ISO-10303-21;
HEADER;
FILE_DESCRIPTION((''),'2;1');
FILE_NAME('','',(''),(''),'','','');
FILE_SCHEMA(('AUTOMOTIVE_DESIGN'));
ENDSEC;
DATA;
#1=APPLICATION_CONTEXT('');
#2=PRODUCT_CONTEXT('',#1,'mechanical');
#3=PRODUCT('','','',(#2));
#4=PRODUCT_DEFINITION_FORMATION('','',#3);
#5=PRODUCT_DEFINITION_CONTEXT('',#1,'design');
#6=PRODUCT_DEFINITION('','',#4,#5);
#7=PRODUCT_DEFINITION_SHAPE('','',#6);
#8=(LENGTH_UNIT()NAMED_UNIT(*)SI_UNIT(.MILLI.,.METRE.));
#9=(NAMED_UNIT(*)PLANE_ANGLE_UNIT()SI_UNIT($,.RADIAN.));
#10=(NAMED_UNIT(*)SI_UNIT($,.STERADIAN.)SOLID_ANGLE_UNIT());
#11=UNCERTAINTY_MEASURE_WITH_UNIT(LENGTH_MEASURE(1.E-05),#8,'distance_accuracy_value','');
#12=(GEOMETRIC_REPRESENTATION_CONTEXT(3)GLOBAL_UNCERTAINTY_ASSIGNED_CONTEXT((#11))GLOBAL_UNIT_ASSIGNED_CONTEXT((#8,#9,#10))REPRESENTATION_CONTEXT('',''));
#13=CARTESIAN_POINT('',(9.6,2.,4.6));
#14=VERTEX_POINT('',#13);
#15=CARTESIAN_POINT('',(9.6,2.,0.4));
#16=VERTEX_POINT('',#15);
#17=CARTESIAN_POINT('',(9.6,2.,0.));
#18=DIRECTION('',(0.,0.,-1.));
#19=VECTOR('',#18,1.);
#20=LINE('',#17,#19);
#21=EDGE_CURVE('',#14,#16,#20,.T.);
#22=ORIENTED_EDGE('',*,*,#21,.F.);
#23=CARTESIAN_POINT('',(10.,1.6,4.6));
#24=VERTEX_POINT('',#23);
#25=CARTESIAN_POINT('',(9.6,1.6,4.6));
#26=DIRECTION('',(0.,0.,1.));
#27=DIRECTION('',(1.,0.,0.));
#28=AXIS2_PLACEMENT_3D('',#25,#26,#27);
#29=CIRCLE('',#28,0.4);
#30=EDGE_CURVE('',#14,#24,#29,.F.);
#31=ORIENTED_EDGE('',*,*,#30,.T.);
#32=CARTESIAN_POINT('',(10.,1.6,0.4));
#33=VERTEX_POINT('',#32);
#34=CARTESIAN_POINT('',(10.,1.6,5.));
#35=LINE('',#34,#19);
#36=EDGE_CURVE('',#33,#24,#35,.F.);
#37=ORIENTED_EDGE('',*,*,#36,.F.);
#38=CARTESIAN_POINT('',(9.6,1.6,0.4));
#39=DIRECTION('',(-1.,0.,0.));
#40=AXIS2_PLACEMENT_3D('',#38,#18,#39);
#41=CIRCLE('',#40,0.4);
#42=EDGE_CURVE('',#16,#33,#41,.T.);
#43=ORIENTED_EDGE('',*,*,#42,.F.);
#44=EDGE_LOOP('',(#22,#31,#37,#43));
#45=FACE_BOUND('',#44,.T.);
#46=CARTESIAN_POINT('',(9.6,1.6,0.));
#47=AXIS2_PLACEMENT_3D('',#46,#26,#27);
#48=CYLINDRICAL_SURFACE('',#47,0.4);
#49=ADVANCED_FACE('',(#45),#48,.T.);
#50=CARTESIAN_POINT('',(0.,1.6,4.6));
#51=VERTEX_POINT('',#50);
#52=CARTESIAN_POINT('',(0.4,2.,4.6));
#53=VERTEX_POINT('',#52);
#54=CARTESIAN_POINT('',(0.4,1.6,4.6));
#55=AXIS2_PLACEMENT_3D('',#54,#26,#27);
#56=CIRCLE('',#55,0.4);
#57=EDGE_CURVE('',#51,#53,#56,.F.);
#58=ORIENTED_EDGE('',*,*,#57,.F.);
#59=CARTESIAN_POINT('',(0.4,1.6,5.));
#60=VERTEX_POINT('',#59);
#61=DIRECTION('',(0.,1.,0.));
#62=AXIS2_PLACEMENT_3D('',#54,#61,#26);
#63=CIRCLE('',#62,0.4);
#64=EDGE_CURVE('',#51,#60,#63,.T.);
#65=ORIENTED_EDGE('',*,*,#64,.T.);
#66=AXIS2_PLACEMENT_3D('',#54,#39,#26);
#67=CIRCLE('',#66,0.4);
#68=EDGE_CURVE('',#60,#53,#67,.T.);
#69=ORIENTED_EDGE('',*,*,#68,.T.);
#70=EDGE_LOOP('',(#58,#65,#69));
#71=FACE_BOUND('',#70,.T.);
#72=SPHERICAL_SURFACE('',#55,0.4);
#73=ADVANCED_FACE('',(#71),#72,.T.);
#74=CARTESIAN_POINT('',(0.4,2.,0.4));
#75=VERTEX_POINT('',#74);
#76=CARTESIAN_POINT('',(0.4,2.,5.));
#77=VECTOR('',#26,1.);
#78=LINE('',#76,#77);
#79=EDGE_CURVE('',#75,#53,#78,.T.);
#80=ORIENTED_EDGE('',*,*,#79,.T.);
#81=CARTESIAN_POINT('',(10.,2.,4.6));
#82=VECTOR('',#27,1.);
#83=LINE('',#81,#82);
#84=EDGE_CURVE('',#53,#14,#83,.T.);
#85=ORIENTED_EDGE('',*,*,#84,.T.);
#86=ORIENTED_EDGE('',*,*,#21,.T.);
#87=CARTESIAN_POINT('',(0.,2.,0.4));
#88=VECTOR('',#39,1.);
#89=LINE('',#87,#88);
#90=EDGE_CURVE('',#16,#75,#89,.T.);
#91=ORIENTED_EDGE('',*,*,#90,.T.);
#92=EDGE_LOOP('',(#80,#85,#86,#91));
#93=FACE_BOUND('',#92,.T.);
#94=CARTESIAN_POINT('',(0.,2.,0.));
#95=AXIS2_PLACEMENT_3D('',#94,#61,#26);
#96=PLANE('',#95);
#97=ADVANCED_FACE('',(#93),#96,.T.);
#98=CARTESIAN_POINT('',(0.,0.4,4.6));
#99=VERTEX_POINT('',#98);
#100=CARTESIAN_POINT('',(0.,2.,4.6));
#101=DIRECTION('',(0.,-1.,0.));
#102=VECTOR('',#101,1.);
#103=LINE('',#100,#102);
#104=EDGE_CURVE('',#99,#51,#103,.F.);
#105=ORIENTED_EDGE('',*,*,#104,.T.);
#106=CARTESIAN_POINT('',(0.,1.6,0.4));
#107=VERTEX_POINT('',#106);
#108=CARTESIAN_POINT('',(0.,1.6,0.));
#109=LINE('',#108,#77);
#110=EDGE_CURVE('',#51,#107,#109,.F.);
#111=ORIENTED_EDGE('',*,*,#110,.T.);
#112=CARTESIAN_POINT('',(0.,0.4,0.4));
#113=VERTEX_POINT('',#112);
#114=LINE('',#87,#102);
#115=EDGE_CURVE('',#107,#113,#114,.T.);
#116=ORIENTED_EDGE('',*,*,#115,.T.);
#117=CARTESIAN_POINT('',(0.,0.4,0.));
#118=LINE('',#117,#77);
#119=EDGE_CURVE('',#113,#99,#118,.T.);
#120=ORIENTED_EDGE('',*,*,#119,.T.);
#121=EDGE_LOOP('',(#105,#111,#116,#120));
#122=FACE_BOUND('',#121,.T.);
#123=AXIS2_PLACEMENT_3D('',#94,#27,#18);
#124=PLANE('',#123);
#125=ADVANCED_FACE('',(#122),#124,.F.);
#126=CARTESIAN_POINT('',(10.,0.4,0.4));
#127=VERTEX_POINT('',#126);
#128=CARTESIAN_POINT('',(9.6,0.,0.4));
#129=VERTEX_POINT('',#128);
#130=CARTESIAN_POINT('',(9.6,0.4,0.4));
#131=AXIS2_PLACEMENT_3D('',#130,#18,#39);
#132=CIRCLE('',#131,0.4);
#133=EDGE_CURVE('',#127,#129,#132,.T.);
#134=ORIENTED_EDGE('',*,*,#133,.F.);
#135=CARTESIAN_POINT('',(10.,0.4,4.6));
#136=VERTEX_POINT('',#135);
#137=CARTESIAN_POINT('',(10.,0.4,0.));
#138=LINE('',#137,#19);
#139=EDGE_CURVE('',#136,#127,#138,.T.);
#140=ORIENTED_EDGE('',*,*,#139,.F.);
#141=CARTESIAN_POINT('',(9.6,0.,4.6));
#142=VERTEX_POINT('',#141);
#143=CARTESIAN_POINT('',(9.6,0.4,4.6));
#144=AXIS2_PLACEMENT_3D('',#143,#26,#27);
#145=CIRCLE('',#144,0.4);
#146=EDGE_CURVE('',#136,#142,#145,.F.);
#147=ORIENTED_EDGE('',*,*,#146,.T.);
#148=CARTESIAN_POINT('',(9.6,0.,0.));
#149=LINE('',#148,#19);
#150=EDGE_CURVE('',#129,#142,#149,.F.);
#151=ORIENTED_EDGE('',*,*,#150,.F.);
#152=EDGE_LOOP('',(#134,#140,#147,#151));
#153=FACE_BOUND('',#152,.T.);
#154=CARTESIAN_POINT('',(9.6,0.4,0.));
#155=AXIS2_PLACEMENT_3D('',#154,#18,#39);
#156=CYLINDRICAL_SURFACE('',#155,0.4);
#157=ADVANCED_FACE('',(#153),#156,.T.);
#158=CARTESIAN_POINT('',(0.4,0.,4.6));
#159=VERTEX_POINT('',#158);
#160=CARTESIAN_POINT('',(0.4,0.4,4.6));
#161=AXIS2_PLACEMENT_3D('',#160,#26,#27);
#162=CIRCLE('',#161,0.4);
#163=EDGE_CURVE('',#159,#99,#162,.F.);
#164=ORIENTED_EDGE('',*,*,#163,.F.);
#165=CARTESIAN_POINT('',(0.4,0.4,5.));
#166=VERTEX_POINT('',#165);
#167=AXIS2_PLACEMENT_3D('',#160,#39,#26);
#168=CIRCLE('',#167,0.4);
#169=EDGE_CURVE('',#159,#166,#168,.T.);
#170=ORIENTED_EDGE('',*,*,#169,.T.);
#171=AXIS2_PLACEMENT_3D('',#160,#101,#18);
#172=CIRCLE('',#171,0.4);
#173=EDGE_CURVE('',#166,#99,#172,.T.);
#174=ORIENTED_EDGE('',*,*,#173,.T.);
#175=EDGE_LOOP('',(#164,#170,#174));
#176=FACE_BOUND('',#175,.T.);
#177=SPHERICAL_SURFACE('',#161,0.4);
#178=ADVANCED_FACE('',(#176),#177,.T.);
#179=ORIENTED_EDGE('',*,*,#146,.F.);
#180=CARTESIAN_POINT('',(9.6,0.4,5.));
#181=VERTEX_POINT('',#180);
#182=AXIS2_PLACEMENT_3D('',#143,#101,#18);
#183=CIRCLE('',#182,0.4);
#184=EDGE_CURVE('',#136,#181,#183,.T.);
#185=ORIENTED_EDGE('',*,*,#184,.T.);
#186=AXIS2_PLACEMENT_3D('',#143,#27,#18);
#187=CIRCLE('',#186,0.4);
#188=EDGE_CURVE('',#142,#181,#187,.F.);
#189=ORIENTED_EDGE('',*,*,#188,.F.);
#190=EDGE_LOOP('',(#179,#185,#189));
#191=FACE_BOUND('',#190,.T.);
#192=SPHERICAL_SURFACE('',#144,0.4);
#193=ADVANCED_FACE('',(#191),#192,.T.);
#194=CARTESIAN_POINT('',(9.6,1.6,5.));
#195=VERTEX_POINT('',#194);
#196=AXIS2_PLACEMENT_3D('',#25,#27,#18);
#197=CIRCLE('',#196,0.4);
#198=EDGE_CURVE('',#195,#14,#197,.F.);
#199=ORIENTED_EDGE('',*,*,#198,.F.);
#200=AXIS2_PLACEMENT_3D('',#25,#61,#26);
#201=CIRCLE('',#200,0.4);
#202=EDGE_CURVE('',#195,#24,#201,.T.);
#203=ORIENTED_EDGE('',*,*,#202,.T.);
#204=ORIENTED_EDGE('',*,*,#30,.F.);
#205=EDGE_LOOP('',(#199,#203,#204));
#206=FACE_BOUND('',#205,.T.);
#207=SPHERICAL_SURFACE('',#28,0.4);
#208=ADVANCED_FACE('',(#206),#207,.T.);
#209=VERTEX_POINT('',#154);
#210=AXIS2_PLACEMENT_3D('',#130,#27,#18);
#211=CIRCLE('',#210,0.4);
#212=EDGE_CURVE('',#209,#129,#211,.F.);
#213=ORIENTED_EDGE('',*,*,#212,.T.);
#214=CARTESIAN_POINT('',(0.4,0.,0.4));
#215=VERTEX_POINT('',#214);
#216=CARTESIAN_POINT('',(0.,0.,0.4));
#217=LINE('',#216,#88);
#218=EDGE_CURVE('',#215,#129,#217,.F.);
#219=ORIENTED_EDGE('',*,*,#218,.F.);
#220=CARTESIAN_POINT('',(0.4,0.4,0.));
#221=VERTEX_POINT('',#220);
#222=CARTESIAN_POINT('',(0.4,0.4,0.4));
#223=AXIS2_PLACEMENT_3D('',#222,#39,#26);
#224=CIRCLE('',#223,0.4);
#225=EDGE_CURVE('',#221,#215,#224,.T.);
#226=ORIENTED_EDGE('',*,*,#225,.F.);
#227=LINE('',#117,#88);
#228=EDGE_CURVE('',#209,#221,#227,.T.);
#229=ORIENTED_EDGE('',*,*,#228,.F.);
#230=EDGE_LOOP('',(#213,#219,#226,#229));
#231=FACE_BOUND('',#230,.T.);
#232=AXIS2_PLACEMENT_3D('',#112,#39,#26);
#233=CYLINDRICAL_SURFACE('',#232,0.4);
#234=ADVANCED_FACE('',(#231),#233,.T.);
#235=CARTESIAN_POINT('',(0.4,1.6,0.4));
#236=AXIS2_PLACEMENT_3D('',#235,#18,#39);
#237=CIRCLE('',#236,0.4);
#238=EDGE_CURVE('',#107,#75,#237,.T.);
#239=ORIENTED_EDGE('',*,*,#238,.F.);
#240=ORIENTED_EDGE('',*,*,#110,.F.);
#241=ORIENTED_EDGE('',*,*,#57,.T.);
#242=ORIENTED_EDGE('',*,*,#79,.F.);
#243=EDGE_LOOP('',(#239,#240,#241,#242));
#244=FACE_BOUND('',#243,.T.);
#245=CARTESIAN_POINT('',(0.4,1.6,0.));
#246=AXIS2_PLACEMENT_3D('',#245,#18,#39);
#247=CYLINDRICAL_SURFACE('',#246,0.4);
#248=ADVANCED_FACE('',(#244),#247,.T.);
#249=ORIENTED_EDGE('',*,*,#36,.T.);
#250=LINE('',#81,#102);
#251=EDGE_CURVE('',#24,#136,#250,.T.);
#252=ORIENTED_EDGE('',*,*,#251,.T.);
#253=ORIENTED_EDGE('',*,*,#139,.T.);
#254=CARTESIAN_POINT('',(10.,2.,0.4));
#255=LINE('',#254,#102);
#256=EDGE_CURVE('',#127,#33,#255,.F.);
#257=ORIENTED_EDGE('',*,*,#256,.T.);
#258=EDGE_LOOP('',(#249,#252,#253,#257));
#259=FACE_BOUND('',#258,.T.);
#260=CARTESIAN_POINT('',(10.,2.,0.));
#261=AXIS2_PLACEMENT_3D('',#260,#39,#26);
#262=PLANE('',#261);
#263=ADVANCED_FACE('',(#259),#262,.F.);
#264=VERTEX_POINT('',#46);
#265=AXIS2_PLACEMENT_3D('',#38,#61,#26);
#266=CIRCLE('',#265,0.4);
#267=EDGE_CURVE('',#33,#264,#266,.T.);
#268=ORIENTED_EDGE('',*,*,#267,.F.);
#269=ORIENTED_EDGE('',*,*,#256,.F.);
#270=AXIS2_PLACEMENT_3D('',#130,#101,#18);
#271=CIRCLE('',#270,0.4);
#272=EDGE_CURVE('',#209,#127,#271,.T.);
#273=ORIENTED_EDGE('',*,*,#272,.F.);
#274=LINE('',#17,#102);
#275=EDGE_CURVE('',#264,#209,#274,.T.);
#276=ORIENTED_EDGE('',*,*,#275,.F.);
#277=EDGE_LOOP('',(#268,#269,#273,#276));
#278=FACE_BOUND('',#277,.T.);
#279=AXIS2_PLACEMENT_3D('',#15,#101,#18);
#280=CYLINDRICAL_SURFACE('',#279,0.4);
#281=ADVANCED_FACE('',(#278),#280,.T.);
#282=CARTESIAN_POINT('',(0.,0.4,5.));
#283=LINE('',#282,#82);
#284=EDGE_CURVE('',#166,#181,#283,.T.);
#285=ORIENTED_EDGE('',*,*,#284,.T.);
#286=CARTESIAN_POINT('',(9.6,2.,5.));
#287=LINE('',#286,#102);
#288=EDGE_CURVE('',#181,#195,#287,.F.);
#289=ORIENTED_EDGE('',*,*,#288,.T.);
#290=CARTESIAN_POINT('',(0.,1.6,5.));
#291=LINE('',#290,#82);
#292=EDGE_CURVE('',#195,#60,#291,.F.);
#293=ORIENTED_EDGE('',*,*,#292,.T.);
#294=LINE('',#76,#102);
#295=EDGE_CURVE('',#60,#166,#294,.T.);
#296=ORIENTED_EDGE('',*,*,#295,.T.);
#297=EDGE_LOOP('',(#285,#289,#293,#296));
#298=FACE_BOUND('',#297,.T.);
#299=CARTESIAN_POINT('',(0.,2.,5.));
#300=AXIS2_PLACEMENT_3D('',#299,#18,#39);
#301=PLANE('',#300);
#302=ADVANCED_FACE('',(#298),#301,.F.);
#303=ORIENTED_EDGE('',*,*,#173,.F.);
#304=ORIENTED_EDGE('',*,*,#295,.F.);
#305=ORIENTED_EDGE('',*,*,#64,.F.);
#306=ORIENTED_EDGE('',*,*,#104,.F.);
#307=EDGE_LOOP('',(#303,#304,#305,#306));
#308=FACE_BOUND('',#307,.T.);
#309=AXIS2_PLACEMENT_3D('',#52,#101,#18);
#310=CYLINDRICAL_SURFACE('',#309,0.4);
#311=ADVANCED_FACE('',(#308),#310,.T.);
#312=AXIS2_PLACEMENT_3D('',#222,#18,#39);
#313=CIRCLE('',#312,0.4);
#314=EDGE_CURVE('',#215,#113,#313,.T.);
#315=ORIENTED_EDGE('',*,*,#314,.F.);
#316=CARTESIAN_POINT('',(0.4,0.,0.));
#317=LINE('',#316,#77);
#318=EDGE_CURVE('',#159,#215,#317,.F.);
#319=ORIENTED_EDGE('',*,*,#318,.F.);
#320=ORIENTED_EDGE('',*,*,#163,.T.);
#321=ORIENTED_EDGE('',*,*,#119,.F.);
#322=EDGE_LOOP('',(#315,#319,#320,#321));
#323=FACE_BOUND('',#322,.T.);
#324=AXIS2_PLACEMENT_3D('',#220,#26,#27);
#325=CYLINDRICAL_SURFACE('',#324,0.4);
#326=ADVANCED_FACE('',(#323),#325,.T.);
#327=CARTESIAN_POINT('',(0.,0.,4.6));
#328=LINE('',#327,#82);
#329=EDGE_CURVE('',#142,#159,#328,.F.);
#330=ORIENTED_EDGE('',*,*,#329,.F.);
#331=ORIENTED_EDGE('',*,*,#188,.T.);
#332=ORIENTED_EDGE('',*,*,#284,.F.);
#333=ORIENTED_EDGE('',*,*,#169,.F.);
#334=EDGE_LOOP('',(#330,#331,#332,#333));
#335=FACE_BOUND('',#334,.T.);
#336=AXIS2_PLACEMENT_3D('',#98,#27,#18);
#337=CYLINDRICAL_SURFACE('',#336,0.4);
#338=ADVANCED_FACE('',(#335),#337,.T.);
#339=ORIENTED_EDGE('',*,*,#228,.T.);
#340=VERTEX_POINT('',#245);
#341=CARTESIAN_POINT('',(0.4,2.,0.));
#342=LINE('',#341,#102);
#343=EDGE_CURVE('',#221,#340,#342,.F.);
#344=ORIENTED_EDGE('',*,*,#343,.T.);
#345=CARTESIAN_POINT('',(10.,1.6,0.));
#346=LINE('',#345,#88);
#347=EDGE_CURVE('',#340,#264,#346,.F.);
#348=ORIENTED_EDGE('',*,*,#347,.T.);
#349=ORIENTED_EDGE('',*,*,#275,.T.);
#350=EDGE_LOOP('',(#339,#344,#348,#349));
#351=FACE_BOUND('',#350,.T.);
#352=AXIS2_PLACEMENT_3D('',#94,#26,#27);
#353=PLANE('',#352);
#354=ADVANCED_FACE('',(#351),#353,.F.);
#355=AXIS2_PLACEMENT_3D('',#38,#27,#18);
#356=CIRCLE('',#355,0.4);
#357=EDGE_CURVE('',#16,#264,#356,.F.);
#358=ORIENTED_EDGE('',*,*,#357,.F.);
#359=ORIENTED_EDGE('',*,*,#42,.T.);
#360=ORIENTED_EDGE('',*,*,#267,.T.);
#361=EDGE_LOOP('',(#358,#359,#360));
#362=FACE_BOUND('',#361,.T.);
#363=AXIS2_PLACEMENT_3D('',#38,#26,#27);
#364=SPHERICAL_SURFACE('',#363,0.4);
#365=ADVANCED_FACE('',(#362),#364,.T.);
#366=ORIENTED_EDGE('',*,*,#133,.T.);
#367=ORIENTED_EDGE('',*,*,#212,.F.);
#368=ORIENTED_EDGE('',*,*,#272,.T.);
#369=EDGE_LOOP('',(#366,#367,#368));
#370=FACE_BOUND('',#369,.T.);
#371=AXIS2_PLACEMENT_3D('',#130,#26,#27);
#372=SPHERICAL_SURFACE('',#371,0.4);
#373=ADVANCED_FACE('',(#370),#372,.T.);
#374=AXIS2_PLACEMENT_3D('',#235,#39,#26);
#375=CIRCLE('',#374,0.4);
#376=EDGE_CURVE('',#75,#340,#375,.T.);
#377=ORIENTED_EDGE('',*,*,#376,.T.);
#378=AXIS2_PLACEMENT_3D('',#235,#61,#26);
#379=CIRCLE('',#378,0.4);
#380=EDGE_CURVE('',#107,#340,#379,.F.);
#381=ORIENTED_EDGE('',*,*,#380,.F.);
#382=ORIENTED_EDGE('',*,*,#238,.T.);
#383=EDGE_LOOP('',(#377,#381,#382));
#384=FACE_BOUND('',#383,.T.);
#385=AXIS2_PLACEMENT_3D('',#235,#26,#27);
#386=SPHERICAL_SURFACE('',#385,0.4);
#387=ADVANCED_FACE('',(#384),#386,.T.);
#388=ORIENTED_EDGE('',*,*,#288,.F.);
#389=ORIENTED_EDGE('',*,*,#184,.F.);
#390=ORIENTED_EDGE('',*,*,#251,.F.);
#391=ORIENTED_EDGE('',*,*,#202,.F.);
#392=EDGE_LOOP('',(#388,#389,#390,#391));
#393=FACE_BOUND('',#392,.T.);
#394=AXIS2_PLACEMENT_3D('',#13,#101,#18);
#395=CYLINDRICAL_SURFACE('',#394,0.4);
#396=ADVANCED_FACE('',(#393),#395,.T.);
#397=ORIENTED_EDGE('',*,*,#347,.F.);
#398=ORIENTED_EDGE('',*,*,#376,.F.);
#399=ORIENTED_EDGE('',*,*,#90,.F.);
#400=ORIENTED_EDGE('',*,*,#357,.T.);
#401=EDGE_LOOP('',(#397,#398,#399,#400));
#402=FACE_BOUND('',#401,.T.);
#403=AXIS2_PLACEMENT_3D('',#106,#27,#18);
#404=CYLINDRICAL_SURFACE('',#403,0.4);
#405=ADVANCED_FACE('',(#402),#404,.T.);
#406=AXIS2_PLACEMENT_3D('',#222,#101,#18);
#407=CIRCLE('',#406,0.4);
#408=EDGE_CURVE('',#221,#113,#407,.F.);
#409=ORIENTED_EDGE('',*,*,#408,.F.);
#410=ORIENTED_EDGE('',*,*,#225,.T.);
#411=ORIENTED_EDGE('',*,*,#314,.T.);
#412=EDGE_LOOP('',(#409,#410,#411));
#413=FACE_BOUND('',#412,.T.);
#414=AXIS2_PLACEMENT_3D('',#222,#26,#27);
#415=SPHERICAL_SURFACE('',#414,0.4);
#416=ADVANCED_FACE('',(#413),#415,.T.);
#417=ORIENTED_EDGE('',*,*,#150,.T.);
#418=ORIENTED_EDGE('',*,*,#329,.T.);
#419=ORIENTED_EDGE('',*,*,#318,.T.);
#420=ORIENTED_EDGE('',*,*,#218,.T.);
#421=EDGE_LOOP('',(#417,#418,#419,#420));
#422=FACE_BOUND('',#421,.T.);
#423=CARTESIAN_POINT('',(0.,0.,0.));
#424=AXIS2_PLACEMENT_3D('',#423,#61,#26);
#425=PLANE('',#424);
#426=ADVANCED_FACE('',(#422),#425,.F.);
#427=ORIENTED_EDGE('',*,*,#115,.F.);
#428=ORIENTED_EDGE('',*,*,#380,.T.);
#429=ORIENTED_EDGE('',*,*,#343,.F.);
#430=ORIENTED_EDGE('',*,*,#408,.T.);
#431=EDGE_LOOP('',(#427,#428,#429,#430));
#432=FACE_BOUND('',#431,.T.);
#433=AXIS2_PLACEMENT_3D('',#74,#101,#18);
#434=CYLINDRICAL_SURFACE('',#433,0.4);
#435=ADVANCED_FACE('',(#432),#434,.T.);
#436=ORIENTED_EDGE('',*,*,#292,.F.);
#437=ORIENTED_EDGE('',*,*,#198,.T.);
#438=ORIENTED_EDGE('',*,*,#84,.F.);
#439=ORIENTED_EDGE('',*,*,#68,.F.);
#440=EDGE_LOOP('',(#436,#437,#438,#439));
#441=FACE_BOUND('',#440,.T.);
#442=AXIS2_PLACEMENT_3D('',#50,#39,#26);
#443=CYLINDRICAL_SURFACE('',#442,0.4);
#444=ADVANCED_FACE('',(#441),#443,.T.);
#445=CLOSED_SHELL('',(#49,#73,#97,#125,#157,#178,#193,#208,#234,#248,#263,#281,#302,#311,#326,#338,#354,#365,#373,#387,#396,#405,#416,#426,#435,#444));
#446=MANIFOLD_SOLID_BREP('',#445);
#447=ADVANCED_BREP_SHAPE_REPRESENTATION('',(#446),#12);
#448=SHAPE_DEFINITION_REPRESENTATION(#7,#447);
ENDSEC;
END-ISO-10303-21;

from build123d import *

# Parameters (mm, degrees)
SKETCH_1_W      = 10
SKETCH_1_H      = 5
EXTRUDE_1_DEPTH = 2
FILLET_1_R      = 0.4


with BuildPart() as part:
    # 草图1 → 凸台-拉伸1 (new body)
    with BuildSketch(Plane(origin=(0, 0, 0), x_dir=(1, 0, 0), z_dir=(0, 1, 0))):
        with Locations((5, -2.5)):
            Rectangle(SKETCH_1_W, SKETCH_1_H)
    extrude(amount=EXTRUDE_1_DEPTH)

    # 圆角1
    fillet_1_edges = [part.edges().sort_by_distance(p)[0] for p in [
        (10, 2, 2.5),
        (5, 2, 0),
        (0, 2, 2.5),
        (5, 0, 0),
        (10, 0, 2.5),
        (5, 0, 5),
        (0, 0, 2.5),
        (0, 1, 0),
        (10, 1, 0),
        (10, 1, 5),
        (0, 1, 5),
        (5, 2, 5),
    ]]
    fillet(fillet_1_edges, radius=FILLET_1_R)


solid = part.part
